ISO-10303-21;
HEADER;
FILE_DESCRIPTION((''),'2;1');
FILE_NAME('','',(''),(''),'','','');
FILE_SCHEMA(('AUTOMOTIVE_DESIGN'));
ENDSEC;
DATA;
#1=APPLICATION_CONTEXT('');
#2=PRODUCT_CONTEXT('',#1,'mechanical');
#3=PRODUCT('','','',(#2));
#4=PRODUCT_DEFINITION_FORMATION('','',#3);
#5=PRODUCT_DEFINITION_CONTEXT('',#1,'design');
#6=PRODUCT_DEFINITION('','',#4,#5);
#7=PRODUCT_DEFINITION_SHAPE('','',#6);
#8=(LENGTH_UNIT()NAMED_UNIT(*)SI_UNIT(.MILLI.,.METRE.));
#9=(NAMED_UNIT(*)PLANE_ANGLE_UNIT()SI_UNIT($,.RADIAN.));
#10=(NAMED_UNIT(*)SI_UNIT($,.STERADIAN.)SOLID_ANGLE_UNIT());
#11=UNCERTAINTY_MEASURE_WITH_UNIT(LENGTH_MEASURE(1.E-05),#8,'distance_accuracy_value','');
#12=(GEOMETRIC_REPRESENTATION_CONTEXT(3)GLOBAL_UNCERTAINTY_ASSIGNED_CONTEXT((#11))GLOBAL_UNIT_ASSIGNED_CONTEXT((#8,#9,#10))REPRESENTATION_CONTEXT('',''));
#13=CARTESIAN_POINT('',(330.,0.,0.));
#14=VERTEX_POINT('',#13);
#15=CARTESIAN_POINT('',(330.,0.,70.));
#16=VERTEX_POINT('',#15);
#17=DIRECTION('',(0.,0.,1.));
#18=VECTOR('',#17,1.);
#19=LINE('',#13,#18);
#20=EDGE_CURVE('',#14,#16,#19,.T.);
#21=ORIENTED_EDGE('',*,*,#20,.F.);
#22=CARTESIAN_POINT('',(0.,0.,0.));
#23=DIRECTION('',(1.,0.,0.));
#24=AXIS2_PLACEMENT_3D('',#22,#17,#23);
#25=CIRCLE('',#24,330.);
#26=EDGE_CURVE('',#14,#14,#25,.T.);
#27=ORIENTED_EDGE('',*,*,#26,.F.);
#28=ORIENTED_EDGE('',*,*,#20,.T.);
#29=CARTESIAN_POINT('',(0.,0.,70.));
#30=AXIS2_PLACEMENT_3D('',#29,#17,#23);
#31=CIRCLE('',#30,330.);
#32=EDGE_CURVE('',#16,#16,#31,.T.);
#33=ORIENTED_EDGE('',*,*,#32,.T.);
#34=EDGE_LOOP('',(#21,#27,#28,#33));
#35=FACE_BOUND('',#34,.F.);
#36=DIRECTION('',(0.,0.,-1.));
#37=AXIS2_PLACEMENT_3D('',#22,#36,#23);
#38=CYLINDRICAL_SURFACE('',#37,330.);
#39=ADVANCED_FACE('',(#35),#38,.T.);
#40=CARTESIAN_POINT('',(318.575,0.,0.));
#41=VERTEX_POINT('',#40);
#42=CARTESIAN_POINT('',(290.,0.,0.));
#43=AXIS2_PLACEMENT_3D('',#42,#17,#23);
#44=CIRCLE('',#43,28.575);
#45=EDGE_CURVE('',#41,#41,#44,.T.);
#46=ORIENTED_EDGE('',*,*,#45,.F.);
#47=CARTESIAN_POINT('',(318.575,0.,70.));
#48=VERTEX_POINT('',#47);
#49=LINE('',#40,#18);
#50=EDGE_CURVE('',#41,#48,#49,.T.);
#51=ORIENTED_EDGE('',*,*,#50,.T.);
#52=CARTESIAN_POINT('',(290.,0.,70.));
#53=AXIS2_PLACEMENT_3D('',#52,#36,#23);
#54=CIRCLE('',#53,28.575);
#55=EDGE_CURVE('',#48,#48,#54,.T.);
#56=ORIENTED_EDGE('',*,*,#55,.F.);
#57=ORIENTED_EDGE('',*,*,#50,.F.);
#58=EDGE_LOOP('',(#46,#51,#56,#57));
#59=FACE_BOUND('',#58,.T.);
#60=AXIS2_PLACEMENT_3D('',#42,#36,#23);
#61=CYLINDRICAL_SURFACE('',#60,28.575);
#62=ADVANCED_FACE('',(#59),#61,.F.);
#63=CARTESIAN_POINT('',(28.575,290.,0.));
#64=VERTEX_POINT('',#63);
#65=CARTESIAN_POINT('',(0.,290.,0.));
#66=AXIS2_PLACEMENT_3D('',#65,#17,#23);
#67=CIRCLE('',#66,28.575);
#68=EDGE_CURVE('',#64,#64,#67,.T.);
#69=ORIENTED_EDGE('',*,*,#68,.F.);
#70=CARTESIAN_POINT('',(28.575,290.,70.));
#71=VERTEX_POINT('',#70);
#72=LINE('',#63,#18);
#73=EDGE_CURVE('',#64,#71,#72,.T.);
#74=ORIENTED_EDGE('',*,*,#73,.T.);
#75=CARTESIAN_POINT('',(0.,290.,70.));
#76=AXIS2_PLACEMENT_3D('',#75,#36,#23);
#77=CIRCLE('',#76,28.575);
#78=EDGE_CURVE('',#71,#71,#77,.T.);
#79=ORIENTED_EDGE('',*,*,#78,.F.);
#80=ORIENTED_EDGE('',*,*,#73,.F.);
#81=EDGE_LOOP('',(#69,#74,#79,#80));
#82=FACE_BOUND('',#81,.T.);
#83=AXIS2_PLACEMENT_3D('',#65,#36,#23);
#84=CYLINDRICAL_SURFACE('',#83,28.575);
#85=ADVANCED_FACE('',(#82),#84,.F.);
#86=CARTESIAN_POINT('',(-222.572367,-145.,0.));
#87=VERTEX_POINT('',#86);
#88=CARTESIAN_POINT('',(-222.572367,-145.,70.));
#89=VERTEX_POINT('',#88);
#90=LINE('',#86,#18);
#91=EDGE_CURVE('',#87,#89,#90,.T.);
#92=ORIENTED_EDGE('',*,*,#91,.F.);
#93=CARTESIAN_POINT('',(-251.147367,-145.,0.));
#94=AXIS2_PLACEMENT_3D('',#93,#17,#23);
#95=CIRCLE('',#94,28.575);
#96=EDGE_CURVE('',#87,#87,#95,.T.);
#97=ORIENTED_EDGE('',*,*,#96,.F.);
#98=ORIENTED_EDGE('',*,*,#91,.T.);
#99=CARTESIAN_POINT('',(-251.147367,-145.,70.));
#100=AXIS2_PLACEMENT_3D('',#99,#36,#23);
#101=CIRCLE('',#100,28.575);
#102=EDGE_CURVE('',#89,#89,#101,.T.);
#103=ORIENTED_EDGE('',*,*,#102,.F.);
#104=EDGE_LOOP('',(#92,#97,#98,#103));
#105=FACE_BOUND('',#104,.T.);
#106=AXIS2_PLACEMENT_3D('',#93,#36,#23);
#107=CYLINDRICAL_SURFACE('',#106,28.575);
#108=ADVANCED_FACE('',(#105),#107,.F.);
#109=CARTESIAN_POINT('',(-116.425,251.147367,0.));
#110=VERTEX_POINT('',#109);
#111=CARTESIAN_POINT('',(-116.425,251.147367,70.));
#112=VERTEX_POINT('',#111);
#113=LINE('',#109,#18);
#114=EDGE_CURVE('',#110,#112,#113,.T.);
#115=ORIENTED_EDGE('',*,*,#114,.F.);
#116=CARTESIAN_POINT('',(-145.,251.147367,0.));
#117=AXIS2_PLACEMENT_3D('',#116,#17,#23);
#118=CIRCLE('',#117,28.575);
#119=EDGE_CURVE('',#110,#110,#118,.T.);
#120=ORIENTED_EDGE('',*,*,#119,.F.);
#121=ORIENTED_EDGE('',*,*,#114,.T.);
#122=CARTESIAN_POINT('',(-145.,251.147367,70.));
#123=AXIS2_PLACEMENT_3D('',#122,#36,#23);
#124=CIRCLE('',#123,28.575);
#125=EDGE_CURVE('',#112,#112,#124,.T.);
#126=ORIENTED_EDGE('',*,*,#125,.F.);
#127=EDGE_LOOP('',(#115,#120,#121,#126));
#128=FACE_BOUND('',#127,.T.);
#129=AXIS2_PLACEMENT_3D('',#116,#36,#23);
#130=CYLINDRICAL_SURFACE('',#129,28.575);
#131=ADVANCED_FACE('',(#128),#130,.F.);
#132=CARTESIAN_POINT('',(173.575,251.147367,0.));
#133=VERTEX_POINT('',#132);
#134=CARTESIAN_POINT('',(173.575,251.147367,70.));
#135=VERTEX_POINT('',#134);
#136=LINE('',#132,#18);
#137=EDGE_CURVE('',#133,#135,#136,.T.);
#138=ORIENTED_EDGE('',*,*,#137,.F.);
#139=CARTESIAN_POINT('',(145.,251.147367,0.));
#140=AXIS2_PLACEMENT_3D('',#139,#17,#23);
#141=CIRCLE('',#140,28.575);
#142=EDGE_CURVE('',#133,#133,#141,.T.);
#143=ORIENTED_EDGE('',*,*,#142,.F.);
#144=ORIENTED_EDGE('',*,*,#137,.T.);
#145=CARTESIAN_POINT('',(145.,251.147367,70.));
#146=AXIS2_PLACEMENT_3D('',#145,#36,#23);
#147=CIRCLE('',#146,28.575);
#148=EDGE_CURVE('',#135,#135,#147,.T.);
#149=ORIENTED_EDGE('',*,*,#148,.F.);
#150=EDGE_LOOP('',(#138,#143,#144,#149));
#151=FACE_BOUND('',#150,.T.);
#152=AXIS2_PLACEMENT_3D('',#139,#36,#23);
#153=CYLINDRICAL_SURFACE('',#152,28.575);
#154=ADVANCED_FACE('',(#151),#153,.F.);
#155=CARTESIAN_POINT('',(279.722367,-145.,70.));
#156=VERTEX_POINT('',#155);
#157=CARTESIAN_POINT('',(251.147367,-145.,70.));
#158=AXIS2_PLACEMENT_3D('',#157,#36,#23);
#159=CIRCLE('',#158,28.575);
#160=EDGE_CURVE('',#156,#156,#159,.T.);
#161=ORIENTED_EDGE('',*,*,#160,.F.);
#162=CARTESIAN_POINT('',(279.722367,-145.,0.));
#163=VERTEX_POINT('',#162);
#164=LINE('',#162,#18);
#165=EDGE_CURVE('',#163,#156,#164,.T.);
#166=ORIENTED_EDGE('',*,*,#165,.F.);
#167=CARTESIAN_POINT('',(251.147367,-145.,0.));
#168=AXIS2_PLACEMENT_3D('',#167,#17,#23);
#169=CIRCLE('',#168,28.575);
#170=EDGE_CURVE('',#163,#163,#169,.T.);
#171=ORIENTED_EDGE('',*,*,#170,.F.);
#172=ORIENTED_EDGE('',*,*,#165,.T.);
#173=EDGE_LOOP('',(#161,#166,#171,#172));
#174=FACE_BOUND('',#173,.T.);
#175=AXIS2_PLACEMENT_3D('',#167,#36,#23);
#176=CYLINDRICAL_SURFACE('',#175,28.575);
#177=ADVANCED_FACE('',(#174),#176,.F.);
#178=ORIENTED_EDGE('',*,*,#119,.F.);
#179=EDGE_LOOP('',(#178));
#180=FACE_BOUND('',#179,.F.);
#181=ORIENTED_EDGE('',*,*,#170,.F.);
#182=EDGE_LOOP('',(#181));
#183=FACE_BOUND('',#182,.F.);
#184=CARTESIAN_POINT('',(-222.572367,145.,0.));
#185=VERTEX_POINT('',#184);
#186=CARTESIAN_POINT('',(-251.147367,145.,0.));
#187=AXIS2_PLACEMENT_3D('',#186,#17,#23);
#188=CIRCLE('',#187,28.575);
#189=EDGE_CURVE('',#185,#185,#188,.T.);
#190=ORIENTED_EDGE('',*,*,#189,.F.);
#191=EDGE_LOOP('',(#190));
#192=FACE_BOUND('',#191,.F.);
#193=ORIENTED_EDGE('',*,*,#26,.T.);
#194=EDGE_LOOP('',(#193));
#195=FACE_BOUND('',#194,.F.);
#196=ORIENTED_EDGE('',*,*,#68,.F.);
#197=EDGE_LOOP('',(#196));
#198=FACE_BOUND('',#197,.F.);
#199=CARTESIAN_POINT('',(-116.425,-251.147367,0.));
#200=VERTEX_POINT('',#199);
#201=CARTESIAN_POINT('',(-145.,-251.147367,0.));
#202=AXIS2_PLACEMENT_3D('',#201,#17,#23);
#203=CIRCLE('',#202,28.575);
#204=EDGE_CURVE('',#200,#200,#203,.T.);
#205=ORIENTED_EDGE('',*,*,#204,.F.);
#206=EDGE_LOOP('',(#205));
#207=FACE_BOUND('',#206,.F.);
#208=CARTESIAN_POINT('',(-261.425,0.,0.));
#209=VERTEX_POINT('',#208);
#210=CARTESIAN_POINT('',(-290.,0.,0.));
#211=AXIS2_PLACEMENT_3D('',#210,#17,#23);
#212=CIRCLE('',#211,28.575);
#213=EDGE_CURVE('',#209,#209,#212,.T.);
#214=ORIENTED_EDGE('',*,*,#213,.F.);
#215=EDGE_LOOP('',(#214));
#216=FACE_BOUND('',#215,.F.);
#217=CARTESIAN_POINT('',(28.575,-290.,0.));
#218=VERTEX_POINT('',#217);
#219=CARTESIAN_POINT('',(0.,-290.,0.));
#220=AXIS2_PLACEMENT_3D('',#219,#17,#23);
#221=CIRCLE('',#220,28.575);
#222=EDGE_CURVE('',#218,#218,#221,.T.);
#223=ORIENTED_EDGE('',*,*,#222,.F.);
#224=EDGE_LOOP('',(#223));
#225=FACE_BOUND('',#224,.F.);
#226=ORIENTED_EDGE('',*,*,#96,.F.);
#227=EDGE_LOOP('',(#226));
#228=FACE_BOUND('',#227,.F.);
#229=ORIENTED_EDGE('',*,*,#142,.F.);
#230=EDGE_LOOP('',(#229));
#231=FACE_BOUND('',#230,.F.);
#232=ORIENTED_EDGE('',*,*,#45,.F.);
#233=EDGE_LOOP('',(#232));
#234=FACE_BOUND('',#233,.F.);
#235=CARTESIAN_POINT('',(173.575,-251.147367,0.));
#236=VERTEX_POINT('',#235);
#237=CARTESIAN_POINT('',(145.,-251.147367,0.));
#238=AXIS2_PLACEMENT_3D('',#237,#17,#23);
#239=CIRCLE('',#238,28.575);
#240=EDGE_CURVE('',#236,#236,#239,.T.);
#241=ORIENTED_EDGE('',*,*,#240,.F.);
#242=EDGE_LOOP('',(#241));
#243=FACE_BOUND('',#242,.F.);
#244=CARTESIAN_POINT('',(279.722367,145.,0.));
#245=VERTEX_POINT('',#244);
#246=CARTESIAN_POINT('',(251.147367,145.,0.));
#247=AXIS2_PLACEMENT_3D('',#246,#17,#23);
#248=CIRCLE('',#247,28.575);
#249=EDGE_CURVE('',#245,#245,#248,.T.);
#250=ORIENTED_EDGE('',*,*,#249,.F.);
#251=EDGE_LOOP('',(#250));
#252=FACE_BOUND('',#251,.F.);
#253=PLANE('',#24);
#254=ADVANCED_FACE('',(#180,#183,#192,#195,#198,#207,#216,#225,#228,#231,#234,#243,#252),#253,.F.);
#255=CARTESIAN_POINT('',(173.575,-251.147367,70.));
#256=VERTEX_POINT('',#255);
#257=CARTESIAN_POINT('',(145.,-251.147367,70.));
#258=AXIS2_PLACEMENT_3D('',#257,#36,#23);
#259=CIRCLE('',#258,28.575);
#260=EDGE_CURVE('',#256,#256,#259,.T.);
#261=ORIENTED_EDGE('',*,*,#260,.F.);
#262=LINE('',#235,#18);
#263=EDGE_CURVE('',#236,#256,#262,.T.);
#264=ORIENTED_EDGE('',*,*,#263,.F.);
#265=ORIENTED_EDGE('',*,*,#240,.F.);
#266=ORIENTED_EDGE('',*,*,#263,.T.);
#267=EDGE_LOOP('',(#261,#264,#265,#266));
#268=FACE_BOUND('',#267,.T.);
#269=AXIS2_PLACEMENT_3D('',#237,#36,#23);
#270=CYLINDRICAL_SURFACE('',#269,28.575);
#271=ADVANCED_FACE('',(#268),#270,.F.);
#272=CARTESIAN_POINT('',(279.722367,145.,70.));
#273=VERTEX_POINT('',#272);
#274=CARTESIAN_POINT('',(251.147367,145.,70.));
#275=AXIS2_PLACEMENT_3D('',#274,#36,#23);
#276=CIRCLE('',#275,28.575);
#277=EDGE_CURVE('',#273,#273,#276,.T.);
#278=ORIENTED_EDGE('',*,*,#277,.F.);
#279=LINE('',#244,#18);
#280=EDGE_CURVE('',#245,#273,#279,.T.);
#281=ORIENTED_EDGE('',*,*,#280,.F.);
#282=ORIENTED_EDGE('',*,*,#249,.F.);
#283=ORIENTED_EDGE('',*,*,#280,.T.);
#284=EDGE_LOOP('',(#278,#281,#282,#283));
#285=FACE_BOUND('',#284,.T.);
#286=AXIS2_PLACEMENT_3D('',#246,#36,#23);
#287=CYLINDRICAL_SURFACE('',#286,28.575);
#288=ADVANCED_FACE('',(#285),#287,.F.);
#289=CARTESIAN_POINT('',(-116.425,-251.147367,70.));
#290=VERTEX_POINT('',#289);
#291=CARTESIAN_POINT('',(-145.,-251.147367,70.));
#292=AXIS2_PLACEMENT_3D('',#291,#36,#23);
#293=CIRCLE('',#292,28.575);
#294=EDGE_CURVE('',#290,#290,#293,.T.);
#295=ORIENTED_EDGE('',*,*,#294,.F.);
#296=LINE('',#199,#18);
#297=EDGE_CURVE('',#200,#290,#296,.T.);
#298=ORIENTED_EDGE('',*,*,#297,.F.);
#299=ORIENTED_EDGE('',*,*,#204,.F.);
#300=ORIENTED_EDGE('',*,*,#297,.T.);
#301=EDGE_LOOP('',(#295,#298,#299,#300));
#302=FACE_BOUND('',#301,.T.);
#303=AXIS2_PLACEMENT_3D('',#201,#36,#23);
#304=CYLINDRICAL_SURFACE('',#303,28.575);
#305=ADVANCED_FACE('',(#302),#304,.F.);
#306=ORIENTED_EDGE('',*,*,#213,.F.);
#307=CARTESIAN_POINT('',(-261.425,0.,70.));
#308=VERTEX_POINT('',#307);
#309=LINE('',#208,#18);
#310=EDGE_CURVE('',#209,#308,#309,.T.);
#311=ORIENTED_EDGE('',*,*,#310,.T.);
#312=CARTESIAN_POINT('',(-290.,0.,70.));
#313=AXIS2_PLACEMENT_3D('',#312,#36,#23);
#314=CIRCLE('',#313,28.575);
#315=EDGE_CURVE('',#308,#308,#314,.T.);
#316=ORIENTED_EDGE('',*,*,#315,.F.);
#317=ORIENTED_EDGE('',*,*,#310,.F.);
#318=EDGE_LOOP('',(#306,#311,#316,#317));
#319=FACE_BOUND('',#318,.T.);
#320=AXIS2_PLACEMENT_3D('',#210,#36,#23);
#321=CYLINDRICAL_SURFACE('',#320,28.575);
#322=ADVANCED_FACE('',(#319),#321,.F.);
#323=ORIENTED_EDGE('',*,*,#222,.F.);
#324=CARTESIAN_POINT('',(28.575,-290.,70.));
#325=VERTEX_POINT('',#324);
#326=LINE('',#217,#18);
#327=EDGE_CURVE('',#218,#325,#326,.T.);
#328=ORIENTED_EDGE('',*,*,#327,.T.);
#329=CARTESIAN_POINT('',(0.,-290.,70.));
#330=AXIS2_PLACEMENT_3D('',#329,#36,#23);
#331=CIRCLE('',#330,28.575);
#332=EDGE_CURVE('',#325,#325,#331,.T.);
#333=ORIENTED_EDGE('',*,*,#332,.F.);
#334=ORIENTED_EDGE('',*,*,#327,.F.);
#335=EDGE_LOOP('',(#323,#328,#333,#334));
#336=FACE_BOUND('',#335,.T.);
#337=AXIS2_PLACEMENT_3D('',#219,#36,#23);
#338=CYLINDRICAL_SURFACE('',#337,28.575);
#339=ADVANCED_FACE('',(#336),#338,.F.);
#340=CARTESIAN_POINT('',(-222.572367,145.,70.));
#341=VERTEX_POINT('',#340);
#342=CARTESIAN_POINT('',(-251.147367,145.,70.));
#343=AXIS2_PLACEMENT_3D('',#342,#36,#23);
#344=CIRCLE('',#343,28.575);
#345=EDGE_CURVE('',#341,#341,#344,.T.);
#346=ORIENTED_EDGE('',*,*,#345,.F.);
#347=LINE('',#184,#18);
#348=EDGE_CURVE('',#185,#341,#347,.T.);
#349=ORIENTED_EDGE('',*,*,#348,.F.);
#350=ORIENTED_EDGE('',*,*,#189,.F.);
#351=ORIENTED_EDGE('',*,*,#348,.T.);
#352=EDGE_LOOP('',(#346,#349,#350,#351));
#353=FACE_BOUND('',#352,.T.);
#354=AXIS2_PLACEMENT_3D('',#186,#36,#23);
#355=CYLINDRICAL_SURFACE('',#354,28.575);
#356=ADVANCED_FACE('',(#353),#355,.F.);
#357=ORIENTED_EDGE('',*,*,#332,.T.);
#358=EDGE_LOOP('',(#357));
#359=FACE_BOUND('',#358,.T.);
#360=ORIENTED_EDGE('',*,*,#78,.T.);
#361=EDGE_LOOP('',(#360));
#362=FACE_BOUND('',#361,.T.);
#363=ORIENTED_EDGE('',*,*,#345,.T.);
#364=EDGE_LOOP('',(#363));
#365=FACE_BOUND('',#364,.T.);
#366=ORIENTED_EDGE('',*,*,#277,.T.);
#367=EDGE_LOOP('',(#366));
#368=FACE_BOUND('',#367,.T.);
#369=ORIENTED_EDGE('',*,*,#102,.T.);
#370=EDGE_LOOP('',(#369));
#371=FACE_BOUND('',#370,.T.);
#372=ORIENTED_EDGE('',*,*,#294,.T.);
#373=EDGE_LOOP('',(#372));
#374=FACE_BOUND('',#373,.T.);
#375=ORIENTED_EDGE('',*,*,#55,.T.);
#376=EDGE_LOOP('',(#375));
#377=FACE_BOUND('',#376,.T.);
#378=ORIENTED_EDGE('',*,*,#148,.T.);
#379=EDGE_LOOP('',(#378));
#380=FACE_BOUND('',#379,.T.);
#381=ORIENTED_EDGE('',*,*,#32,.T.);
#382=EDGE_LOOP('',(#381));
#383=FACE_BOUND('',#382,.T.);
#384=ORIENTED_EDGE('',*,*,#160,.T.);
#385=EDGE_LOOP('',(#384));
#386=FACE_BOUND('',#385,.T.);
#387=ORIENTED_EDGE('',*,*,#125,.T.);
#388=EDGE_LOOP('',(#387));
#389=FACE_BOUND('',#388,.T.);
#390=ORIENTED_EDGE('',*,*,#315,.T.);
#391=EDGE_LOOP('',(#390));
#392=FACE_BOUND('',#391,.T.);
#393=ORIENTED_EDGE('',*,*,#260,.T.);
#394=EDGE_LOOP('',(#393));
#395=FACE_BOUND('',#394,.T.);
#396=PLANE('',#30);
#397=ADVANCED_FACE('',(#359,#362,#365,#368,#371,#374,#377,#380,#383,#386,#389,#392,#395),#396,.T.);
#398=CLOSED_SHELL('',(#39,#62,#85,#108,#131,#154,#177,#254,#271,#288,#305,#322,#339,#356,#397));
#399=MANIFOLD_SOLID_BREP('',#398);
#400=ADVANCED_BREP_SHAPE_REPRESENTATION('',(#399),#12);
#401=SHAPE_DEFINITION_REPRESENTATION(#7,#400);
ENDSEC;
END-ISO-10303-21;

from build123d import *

# Parameters (mm, degrees)
SKETCH1_R           = 330
SKETCH1_R_2         = 247.5
BOSS_EXTRUDE1_DEPTH = 70
SKETCH2_R           = 28.575
CUT_EXTRUDE1_DEPTH  = 131


with BuildPart() as part:
    # Sketch1 → Boss-Extrude1 (new body)
    with BuildSketch(Plane.XY):
        Circle(SKETCH1_R)
        Circle(SKETCH1_R_2, mode=Mode.SUBTRACT)
        Circle(SKETCH1_R_2)
    extrude(amount=BOSS_EXTRUDE1_DEPTH)

    # Sketch2 → Cut-Extrude1 (cut)
    with BuildSketch(Plane.XY):
        with Locations((0, 290)):
            Circle(SKETCH2_R)
        with Locations((145, 251.147367097)):
            Circle(SKETCH2_R)
        with Locations((251.147367097, 145)):
            Circle(SKETCH2_R)
        with Locations((290, 0)):
            Circle(SKETCH2_R)
        with Locations((251.147367098, -145)):
            Circle(SKETCH2_R)
        with Locations((145, -251.147367097)):
            Circle(SKETCH2_R)
        with Locations((0, -290)):
            Circle(SKETCH2_R)
        with Locations((-145, -251.147367097)):
            Circle(SKETCH2_R)
        with Locations((-251.147367097, -145)):
            Circle(SKETCH2_R)
        with Locations((-290, 0)):
            Circle(SKETCH2_R)
        with Locations((-251.147367097, 145)):
            Circle(SKETCH2_R)
        with Locations((-145, 251.147367097)):
            Circle(SKETCH2_R)
    extrude(amount=CUT_EXTRUDE1_DEPTH, mode=Mode.SUBTRACT)


solid = part.part
